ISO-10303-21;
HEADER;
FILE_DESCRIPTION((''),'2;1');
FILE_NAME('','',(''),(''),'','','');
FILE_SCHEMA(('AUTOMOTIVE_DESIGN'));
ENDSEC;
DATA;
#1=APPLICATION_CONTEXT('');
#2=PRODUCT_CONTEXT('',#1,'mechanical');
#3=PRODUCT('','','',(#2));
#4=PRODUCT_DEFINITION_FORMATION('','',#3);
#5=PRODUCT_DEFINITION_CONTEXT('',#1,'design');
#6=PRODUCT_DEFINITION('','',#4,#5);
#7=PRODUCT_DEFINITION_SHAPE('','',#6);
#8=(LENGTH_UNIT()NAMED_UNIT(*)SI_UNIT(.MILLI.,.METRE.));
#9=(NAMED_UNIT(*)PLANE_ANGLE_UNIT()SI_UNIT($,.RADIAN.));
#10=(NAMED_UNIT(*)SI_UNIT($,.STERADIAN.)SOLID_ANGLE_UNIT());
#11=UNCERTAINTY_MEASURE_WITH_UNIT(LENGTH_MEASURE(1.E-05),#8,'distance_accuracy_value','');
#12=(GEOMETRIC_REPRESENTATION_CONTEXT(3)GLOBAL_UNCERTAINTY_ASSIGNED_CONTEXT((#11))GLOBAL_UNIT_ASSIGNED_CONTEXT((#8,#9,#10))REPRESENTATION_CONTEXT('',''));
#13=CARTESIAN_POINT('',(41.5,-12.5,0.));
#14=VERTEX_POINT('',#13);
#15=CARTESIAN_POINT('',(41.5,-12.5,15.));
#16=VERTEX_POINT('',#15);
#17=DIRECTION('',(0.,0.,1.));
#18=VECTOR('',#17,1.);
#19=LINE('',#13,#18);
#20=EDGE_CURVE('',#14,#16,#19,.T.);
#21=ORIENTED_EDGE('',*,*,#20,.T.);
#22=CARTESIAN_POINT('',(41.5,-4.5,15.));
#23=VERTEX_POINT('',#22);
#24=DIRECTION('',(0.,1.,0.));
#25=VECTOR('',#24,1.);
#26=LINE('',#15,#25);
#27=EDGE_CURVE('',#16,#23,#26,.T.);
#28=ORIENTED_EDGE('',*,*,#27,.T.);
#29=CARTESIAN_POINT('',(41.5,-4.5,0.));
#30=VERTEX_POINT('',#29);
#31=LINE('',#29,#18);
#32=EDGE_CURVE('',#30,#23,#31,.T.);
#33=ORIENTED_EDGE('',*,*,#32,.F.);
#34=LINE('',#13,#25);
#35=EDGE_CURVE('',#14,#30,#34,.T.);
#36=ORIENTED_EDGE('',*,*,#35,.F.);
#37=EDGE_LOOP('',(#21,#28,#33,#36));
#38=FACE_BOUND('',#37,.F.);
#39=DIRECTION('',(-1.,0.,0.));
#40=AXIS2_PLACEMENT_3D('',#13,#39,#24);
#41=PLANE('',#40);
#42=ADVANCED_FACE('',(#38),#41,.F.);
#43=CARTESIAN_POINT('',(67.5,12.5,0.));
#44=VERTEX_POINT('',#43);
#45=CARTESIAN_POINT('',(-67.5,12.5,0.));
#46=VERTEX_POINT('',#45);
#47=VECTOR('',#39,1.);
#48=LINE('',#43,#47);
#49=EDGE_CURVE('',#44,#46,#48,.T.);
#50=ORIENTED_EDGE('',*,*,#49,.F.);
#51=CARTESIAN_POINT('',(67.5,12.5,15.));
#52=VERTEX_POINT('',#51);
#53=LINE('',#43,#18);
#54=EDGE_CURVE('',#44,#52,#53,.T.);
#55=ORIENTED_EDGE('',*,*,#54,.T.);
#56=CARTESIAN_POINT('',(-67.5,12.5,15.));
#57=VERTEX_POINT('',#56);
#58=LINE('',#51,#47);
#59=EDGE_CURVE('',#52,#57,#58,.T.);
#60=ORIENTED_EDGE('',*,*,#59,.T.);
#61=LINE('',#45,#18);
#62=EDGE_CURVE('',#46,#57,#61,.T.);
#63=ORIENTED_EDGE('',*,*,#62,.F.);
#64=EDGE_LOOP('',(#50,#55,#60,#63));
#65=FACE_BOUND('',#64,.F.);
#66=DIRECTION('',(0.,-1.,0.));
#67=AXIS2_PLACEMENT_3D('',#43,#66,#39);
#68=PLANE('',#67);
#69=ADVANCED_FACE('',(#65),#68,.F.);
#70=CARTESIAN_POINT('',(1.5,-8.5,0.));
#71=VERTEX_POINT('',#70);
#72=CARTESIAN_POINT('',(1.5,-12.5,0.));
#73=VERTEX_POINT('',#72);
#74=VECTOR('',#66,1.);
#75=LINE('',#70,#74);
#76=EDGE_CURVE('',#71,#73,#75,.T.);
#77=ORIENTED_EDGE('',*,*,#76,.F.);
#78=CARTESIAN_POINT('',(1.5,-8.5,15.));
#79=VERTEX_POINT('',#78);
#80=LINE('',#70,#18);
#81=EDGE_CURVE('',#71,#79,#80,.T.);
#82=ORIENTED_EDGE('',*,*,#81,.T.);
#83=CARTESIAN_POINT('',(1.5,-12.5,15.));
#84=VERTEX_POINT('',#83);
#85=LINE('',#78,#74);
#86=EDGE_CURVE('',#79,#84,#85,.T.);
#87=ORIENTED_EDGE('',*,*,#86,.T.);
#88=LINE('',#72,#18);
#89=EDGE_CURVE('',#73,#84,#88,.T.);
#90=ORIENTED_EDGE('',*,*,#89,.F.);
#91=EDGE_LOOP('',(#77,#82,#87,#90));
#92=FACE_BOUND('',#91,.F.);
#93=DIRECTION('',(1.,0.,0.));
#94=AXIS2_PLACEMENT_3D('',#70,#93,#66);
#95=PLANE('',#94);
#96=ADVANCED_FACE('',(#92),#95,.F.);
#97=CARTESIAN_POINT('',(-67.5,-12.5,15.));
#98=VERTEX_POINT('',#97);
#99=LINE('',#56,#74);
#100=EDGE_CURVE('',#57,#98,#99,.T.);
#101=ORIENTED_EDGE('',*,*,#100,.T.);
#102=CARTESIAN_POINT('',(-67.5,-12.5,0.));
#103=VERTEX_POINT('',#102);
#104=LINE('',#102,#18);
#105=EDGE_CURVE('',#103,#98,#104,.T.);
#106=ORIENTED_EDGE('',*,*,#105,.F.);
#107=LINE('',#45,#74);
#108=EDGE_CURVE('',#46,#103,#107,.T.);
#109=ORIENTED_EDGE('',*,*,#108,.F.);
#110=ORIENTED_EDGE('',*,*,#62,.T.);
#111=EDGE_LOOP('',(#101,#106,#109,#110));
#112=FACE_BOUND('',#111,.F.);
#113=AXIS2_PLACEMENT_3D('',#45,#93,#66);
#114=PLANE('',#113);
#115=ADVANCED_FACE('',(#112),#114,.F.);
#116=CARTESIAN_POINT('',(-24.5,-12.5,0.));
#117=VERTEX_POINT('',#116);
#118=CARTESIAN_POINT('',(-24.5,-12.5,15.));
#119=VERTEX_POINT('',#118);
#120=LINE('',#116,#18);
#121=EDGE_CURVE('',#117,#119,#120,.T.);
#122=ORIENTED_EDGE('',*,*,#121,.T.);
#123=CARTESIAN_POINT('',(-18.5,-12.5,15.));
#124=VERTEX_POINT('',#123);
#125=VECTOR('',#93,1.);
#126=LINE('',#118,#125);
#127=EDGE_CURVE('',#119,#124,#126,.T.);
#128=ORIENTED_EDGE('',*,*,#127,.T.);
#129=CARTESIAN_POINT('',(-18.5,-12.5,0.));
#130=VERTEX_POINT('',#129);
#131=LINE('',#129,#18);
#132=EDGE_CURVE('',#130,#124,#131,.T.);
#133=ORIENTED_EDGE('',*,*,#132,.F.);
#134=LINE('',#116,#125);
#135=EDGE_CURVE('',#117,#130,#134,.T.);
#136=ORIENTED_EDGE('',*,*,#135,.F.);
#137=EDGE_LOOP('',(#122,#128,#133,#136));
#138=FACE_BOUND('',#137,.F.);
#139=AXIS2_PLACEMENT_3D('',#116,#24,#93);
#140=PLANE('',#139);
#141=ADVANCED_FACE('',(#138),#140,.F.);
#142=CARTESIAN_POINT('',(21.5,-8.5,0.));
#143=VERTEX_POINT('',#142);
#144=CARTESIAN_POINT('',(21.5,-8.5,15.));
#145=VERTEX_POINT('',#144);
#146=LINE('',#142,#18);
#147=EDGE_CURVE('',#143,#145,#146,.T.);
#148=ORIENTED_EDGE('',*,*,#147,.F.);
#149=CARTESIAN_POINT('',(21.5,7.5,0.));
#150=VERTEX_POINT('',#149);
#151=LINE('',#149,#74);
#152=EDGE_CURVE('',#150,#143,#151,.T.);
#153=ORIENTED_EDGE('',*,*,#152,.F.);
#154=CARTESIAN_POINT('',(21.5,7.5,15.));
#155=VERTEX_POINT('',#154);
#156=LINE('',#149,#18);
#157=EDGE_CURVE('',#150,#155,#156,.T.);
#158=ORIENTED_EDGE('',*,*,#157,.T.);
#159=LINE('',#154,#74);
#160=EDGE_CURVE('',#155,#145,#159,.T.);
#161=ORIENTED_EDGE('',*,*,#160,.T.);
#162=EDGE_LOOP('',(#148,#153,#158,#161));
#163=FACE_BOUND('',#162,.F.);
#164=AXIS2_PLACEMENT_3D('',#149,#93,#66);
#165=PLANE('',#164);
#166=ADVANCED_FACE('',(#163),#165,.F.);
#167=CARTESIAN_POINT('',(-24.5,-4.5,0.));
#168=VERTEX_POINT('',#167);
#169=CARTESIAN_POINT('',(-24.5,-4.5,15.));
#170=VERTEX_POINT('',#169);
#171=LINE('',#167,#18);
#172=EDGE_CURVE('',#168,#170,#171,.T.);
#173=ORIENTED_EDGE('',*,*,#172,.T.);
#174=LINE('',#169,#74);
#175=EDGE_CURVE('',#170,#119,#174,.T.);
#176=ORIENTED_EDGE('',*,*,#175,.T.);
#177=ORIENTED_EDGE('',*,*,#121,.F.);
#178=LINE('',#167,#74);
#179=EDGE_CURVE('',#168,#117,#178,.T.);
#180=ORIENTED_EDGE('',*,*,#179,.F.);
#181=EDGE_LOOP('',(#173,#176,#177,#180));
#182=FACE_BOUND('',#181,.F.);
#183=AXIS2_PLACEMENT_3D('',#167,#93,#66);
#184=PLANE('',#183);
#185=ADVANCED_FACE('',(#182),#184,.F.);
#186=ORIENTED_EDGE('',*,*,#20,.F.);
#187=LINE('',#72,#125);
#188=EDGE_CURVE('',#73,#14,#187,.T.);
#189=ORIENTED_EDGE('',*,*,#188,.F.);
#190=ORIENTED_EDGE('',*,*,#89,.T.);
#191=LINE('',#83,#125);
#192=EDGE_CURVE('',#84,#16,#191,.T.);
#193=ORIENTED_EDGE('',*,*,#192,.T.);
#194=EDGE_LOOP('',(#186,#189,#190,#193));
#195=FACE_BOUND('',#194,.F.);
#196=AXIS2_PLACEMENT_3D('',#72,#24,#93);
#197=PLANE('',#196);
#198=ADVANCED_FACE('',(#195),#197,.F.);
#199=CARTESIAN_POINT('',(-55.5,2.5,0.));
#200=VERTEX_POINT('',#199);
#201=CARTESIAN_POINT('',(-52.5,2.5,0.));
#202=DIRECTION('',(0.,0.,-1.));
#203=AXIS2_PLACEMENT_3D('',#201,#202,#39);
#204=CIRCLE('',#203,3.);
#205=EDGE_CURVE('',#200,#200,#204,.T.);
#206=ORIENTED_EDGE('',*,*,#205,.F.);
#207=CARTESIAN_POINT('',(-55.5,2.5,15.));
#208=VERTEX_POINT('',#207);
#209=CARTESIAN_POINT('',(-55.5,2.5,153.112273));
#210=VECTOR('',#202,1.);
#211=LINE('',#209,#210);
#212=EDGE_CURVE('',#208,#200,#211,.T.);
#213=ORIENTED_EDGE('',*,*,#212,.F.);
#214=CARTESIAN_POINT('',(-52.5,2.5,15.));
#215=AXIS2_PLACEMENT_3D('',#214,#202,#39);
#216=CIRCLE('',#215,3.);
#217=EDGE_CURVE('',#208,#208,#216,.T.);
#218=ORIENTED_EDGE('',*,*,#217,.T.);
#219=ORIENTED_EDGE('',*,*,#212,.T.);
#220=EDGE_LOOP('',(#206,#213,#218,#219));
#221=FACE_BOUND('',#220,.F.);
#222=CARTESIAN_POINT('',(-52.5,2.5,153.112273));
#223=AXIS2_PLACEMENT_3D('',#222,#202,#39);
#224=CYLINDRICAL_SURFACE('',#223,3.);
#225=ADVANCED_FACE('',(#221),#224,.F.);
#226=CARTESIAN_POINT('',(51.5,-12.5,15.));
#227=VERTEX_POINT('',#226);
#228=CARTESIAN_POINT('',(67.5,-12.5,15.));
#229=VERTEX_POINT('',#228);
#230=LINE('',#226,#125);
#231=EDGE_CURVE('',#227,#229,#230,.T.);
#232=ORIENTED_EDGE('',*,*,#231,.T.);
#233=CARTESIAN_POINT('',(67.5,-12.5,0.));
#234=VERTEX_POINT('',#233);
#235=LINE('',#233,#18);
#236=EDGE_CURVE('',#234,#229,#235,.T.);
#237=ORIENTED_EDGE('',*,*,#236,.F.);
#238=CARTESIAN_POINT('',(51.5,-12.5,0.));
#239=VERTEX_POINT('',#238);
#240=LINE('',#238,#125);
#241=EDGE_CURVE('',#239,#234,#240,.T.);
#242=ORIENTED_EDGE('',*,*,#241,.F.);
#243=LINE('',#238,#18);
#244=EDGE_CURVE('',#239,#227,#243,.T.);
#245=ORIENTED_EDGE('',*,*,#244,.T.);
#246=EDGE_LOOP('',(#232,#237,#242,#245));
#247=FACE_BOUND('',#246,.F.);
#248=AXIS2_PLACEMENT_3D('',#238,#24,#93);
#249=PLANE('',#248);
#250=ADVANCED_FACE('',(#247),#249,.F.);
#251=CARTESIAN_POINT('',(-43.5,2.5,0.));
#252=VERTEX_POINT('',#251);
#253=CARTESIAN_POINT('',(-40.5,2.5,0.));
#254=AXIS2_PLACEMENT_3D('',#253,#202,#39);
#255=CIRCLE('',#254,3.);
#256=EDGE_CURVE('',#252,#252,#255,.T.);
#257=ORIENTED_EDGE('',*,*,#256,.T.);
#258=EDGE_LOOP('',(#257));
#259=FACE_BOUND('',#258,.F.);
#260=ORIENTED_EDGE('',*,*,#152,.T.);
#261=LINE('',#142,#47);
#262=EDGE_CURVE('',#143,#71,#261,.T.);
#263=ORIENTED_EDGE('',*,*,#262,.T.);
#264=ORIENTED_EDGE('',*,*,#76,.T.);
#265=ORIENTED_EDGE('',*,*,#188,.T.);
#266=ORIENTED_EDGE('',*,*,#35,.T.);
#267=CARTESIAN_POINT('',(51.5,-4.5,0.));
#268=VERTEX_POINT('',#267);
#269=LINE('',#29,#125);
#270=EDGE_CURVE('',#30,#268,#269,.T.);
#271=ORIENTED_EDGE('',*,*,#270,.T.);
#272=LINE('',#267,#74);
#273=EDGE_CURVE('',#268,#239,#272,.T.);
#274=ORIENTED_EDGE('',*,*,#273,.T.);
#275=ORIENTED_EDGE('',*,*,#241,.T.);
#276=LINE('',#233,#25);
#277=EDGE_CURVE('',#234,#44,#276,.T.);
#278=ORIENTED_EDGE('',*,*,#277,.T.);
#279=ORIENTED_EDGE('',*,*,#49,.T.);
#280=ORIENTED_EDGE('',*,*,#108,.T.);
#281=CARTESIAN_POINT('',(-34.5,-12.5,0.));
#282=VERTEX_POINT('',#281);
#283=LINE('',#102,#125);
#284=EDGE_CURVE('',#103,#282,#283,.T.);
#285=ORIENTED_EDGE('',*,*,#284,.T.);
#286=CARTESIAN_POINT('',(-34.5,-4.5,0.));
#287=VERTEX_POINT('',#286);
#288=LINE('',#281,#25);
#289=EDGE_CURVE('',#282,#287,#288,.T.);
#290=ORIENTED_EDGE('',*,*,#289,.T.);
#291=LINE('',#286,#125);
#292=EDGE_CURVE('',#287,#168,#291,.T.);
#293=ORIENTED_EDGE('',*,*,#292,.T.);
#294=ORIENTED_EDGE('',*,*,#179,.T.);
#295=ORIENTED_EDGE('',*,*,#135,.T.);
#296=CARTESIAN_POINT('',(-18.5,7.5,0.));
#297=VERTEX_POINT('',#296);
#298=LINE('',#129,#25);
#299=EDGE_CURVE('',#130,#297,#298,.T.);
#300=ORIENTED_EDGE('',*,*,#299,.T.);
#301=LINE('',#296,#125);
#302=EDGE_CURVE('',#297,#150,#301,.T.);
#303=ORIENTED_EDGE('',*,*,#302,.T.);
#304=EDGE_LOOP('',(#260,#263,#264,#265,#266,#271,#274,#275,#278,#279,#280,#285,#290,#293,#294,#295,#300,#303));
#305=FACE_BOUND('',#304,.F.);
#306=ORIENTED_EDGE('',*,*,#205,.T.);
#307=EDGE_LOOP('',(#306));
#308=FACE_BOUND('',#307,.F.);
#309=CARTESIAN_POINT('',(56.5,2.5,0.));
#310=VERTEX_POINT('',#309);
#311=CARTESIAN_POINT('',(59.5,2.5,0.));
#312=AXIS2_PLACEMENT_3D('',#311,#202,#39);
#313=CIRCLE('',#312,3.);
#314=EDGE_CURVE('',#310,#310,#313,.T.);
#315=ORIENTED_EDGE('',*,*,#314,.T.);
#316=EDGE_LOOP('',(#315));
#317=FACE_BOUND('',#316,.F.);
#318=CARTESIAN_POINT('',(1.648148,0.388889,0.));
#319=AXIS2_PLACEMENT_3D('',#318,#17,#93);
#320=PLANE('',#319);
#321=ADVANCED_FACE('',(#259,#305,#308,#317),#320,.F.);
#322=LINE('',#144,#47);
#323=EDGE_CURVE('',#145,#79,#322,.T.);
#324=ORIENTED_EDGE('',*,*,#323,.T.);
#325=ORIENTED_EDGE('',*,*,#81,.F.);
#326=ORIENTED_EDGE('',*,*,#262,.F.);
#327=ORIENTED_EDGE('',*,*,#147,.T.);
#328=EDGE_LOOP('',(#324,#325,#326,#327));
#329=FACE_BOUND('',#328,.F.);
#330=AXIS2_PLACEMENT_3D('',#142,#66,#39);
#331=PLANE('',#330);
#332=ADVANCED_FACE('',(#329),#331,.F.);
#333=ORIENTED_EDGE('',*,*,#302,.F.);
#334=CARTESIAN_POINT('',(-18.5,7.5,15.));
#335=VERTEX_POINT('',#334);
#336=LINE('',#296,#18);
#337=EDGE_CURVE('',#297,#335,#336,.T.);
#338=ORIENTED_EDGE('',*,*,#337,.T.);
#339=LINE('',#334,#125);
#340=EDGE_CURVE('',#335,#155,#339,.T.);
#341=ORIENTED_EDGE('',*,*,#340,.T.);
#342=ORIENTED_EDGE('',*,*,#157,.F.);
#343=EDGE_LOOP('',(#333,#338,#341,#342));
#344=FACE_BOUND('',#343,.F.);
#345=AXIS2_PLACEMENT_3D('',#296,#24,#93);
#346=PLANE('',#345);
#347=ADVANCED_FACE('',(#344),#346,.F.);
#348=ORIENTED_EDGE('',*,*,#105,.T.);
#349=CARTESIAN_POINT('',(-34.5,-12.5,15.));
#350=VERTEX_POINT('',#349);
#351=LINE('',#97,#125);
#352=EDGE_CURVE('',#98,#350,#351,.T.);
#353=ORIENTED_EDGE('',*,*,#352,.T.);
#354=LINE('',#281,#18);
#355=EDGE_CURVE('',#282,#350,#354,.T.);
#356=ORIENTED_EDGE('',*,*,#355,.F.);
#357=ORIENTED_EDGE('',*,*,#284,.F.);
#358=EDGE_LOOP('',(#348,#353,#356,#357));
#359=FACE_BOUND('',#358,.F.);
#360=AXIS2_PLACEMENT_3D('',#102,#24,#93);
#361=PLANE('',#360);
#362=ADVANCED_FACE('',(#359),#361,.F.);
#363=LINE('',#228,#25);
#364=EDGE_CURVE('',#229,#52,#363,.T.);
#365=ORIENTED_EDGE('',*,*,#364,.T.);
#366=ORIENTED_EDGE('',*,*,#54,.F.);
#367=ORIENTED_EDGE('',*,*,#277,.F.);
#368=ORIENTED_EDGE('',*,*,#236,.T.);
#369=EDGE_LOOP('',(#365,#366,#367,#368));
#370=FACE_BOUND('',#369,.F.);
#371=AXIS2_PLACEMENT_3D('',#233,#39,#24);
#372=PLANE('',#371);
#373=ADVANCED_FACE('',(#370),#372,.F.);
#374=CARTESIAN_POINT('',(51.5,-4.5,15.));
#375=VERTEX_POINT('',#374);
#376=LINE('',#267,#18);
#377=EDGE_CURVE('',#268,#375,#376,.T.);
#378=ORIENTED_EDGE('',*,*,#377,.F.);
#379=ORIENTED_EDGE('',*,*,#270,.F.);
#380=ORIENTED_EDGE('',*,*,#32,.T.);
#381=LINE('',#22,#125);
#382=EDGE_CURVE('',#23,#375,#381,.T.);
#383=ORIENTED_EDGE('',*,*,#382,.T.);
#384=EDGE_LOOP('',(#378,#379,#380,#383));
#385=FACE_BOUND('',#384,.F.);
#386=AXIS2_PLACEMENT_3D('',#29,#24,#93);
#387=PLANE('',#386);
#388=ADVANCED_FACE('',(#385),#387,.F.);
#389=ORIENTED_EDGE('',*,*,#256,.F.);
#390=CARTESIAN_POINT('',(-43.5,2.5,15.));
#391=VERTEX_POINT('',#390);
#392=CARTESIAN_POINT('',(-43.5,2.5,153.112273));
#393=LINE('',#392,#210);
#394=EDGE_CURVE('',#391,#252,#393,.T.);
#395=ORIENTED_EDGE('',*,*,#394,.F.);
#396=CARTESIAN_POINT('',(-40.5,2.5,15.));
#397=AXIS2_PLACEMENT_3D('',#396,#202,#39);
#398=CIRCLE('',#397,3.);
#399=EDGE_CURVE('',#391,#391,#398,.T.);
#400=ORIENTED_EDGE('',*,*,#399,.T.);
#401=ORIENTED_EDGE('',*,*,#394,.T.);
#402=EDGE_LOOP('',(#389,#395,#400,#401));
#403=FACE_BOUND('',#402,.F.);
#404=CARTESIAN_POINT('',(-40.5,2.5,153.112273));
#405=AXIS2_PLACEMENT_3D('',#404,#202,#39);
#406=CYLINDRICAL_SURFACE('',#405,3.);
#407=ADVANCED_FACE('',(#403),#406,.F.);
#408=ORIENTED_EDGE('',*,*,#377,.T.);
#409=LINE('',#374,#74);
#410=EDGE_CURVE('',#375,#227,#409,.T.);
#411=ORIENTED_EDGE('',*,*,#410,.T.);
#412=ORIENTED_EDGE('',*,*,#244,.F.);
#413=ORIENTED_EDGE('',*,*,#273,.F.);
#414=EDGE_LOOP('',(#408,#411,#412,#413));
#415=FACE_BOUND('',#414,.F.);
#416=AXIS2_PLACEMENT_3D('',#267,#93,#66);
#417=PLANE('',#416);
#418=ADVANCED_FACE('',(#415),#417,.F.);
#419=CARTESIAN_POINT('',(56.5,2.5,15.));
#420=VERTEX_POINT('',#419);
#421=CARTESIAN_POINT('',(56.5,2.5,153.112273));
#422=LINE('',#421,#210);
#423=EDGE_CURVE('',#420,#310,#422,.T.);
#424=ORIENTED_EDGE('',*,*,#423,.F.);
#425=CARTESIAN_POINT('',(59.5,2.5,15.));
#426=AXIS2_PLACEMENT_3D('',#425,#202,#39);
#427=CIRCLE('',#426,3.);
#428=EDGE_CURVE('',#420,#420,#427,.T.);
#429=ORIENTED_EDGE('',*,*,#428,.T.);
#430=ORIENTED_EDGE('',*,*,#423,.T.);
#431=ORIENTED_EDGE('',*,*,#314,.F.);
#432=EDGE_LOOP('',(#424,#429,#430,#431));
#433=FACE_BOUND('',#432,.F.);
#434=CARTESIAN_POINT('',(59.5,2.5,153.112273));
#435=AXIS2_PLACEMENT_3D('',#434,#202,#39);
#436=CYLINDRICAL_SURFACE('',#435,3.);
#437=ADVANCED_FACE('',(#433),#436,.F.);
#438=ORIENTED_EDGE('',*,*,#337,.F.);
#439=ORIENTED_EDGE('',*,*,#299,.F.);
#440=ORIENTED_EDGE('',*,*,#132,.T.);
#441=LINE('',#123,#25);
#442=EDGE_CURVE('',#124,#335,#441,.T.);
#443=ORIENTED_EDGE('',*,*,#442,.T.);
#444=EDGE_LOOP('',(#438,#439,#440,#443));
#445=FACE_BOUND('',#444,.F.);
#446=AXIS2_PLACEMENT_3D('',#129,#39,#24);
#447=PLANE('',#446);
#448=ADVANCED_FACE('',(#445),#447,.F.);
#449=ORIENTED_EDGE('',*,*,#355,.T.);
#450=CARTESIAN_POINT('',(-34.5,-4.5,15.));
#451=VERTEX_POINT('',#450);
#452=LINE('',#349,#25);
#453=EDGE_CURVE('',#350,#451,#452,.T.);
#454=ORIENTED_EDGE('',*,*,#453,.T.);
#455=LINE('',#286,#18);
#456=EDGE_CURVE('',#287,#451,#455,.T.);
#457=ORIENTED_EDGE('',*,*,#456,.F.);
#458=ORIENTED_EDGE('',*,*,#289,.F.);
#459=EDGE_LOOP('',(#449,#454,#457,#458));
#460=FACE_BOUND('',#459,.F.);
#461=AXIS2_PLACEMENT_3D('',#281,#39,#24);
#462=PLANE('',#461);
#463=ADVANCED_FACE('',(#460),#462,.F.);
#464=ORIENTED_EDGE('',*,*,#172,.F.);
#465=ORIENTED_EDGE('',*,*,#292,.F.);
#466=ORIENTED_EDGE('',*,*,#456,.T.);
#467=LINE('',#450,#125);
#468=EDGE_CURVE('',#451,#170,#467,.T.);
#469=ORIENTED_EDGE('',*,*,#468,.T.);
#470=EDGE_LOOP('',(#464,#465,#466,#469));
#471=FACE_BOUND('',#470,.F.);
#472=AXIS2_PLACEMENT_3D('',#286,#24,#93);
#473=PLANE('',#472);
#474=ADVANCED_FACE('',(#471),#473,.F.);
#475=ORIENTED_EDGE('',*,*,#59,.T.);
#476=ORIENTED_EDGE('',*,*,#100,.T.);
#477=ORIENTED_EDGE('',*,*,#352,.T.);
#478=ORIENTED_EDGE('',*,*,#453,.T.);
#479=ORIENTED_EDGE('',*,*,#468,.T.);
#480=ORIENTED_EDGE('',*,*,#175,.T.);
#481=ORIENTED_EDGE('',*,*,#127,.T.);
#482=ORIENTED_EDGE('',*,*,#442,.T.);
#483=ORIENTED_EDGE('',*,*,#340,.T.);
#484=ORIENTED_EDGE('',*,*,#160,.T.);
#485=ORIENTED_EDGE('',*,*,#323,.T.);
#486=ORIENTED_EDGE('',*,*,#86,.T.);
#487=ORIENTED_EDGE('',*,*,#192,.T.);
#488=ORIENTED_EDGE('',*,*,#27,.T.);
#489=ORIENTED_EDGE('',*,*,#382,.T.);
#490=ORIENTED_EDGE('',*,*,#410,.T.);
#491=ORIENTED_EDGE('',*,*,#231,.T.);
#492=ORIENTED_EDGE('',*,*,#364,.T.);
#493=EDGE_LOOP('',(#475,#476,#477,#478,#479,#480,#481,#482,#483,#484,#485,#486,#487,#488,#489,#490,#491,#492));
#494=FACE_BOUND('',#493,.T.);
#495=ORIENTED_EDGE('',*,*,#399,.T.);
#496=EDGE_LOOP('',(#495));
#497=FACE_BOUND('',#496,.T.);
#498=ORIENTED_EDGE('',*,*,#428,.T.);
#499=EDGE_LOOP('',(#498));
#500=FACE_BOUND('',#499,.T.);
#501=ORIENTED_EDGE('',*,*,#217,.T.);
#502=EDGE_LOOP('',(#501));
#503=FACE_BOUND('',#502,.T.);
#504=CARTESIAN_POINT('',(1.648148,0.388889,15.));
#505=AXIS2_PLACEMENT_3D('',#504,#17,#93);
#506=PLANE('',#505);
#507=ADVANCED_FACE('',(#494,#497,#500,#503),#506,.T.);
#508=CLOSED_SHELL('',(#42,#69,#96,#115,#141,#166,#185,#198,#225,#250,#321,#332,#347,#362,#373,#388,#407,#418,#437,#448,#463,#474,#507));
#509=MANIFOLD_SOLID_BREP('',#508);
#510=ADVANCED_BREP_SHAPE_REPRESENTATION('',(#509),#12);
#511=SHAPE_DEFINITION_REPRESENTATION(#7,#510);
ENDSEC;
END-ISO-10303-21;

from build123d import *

# Parameters (mm, degrees)
F1_DEPTH = 15
F3_D     = 6


with BuildPart() as f1:
    # F0 (on Top) → F1 (new body)
    with BuildSketch(Plane.XY):
        Polygon((67.5, -12.5), (67.5, 12.5), (-67.5, 12.5), (-67.5, -12.5), (-34.5, -12.5), (-34.5, -4.5), (-24.5, -4.5), (-24.5, -12.5), (-18.5, -12.5), (-18.5, 7.5), (21.5, 7.5), (21.5, -8.5), (1.5, -8.5), (1.5, -12.5), (41.5, -12.5), (41.5, -4.5), (51.5, -4.5), (51.5, -12.5), align=None)
    extrude(amount=F1_DEPTH)

    # F3 (through all)
    with Locations(Plane.XY.offset(15)):
        with Locations((-52.5, 2.5), (-40.5, 2.5), (59.5, 2.5)):
            Hole(F3_D / 2)


solid = f1.part
